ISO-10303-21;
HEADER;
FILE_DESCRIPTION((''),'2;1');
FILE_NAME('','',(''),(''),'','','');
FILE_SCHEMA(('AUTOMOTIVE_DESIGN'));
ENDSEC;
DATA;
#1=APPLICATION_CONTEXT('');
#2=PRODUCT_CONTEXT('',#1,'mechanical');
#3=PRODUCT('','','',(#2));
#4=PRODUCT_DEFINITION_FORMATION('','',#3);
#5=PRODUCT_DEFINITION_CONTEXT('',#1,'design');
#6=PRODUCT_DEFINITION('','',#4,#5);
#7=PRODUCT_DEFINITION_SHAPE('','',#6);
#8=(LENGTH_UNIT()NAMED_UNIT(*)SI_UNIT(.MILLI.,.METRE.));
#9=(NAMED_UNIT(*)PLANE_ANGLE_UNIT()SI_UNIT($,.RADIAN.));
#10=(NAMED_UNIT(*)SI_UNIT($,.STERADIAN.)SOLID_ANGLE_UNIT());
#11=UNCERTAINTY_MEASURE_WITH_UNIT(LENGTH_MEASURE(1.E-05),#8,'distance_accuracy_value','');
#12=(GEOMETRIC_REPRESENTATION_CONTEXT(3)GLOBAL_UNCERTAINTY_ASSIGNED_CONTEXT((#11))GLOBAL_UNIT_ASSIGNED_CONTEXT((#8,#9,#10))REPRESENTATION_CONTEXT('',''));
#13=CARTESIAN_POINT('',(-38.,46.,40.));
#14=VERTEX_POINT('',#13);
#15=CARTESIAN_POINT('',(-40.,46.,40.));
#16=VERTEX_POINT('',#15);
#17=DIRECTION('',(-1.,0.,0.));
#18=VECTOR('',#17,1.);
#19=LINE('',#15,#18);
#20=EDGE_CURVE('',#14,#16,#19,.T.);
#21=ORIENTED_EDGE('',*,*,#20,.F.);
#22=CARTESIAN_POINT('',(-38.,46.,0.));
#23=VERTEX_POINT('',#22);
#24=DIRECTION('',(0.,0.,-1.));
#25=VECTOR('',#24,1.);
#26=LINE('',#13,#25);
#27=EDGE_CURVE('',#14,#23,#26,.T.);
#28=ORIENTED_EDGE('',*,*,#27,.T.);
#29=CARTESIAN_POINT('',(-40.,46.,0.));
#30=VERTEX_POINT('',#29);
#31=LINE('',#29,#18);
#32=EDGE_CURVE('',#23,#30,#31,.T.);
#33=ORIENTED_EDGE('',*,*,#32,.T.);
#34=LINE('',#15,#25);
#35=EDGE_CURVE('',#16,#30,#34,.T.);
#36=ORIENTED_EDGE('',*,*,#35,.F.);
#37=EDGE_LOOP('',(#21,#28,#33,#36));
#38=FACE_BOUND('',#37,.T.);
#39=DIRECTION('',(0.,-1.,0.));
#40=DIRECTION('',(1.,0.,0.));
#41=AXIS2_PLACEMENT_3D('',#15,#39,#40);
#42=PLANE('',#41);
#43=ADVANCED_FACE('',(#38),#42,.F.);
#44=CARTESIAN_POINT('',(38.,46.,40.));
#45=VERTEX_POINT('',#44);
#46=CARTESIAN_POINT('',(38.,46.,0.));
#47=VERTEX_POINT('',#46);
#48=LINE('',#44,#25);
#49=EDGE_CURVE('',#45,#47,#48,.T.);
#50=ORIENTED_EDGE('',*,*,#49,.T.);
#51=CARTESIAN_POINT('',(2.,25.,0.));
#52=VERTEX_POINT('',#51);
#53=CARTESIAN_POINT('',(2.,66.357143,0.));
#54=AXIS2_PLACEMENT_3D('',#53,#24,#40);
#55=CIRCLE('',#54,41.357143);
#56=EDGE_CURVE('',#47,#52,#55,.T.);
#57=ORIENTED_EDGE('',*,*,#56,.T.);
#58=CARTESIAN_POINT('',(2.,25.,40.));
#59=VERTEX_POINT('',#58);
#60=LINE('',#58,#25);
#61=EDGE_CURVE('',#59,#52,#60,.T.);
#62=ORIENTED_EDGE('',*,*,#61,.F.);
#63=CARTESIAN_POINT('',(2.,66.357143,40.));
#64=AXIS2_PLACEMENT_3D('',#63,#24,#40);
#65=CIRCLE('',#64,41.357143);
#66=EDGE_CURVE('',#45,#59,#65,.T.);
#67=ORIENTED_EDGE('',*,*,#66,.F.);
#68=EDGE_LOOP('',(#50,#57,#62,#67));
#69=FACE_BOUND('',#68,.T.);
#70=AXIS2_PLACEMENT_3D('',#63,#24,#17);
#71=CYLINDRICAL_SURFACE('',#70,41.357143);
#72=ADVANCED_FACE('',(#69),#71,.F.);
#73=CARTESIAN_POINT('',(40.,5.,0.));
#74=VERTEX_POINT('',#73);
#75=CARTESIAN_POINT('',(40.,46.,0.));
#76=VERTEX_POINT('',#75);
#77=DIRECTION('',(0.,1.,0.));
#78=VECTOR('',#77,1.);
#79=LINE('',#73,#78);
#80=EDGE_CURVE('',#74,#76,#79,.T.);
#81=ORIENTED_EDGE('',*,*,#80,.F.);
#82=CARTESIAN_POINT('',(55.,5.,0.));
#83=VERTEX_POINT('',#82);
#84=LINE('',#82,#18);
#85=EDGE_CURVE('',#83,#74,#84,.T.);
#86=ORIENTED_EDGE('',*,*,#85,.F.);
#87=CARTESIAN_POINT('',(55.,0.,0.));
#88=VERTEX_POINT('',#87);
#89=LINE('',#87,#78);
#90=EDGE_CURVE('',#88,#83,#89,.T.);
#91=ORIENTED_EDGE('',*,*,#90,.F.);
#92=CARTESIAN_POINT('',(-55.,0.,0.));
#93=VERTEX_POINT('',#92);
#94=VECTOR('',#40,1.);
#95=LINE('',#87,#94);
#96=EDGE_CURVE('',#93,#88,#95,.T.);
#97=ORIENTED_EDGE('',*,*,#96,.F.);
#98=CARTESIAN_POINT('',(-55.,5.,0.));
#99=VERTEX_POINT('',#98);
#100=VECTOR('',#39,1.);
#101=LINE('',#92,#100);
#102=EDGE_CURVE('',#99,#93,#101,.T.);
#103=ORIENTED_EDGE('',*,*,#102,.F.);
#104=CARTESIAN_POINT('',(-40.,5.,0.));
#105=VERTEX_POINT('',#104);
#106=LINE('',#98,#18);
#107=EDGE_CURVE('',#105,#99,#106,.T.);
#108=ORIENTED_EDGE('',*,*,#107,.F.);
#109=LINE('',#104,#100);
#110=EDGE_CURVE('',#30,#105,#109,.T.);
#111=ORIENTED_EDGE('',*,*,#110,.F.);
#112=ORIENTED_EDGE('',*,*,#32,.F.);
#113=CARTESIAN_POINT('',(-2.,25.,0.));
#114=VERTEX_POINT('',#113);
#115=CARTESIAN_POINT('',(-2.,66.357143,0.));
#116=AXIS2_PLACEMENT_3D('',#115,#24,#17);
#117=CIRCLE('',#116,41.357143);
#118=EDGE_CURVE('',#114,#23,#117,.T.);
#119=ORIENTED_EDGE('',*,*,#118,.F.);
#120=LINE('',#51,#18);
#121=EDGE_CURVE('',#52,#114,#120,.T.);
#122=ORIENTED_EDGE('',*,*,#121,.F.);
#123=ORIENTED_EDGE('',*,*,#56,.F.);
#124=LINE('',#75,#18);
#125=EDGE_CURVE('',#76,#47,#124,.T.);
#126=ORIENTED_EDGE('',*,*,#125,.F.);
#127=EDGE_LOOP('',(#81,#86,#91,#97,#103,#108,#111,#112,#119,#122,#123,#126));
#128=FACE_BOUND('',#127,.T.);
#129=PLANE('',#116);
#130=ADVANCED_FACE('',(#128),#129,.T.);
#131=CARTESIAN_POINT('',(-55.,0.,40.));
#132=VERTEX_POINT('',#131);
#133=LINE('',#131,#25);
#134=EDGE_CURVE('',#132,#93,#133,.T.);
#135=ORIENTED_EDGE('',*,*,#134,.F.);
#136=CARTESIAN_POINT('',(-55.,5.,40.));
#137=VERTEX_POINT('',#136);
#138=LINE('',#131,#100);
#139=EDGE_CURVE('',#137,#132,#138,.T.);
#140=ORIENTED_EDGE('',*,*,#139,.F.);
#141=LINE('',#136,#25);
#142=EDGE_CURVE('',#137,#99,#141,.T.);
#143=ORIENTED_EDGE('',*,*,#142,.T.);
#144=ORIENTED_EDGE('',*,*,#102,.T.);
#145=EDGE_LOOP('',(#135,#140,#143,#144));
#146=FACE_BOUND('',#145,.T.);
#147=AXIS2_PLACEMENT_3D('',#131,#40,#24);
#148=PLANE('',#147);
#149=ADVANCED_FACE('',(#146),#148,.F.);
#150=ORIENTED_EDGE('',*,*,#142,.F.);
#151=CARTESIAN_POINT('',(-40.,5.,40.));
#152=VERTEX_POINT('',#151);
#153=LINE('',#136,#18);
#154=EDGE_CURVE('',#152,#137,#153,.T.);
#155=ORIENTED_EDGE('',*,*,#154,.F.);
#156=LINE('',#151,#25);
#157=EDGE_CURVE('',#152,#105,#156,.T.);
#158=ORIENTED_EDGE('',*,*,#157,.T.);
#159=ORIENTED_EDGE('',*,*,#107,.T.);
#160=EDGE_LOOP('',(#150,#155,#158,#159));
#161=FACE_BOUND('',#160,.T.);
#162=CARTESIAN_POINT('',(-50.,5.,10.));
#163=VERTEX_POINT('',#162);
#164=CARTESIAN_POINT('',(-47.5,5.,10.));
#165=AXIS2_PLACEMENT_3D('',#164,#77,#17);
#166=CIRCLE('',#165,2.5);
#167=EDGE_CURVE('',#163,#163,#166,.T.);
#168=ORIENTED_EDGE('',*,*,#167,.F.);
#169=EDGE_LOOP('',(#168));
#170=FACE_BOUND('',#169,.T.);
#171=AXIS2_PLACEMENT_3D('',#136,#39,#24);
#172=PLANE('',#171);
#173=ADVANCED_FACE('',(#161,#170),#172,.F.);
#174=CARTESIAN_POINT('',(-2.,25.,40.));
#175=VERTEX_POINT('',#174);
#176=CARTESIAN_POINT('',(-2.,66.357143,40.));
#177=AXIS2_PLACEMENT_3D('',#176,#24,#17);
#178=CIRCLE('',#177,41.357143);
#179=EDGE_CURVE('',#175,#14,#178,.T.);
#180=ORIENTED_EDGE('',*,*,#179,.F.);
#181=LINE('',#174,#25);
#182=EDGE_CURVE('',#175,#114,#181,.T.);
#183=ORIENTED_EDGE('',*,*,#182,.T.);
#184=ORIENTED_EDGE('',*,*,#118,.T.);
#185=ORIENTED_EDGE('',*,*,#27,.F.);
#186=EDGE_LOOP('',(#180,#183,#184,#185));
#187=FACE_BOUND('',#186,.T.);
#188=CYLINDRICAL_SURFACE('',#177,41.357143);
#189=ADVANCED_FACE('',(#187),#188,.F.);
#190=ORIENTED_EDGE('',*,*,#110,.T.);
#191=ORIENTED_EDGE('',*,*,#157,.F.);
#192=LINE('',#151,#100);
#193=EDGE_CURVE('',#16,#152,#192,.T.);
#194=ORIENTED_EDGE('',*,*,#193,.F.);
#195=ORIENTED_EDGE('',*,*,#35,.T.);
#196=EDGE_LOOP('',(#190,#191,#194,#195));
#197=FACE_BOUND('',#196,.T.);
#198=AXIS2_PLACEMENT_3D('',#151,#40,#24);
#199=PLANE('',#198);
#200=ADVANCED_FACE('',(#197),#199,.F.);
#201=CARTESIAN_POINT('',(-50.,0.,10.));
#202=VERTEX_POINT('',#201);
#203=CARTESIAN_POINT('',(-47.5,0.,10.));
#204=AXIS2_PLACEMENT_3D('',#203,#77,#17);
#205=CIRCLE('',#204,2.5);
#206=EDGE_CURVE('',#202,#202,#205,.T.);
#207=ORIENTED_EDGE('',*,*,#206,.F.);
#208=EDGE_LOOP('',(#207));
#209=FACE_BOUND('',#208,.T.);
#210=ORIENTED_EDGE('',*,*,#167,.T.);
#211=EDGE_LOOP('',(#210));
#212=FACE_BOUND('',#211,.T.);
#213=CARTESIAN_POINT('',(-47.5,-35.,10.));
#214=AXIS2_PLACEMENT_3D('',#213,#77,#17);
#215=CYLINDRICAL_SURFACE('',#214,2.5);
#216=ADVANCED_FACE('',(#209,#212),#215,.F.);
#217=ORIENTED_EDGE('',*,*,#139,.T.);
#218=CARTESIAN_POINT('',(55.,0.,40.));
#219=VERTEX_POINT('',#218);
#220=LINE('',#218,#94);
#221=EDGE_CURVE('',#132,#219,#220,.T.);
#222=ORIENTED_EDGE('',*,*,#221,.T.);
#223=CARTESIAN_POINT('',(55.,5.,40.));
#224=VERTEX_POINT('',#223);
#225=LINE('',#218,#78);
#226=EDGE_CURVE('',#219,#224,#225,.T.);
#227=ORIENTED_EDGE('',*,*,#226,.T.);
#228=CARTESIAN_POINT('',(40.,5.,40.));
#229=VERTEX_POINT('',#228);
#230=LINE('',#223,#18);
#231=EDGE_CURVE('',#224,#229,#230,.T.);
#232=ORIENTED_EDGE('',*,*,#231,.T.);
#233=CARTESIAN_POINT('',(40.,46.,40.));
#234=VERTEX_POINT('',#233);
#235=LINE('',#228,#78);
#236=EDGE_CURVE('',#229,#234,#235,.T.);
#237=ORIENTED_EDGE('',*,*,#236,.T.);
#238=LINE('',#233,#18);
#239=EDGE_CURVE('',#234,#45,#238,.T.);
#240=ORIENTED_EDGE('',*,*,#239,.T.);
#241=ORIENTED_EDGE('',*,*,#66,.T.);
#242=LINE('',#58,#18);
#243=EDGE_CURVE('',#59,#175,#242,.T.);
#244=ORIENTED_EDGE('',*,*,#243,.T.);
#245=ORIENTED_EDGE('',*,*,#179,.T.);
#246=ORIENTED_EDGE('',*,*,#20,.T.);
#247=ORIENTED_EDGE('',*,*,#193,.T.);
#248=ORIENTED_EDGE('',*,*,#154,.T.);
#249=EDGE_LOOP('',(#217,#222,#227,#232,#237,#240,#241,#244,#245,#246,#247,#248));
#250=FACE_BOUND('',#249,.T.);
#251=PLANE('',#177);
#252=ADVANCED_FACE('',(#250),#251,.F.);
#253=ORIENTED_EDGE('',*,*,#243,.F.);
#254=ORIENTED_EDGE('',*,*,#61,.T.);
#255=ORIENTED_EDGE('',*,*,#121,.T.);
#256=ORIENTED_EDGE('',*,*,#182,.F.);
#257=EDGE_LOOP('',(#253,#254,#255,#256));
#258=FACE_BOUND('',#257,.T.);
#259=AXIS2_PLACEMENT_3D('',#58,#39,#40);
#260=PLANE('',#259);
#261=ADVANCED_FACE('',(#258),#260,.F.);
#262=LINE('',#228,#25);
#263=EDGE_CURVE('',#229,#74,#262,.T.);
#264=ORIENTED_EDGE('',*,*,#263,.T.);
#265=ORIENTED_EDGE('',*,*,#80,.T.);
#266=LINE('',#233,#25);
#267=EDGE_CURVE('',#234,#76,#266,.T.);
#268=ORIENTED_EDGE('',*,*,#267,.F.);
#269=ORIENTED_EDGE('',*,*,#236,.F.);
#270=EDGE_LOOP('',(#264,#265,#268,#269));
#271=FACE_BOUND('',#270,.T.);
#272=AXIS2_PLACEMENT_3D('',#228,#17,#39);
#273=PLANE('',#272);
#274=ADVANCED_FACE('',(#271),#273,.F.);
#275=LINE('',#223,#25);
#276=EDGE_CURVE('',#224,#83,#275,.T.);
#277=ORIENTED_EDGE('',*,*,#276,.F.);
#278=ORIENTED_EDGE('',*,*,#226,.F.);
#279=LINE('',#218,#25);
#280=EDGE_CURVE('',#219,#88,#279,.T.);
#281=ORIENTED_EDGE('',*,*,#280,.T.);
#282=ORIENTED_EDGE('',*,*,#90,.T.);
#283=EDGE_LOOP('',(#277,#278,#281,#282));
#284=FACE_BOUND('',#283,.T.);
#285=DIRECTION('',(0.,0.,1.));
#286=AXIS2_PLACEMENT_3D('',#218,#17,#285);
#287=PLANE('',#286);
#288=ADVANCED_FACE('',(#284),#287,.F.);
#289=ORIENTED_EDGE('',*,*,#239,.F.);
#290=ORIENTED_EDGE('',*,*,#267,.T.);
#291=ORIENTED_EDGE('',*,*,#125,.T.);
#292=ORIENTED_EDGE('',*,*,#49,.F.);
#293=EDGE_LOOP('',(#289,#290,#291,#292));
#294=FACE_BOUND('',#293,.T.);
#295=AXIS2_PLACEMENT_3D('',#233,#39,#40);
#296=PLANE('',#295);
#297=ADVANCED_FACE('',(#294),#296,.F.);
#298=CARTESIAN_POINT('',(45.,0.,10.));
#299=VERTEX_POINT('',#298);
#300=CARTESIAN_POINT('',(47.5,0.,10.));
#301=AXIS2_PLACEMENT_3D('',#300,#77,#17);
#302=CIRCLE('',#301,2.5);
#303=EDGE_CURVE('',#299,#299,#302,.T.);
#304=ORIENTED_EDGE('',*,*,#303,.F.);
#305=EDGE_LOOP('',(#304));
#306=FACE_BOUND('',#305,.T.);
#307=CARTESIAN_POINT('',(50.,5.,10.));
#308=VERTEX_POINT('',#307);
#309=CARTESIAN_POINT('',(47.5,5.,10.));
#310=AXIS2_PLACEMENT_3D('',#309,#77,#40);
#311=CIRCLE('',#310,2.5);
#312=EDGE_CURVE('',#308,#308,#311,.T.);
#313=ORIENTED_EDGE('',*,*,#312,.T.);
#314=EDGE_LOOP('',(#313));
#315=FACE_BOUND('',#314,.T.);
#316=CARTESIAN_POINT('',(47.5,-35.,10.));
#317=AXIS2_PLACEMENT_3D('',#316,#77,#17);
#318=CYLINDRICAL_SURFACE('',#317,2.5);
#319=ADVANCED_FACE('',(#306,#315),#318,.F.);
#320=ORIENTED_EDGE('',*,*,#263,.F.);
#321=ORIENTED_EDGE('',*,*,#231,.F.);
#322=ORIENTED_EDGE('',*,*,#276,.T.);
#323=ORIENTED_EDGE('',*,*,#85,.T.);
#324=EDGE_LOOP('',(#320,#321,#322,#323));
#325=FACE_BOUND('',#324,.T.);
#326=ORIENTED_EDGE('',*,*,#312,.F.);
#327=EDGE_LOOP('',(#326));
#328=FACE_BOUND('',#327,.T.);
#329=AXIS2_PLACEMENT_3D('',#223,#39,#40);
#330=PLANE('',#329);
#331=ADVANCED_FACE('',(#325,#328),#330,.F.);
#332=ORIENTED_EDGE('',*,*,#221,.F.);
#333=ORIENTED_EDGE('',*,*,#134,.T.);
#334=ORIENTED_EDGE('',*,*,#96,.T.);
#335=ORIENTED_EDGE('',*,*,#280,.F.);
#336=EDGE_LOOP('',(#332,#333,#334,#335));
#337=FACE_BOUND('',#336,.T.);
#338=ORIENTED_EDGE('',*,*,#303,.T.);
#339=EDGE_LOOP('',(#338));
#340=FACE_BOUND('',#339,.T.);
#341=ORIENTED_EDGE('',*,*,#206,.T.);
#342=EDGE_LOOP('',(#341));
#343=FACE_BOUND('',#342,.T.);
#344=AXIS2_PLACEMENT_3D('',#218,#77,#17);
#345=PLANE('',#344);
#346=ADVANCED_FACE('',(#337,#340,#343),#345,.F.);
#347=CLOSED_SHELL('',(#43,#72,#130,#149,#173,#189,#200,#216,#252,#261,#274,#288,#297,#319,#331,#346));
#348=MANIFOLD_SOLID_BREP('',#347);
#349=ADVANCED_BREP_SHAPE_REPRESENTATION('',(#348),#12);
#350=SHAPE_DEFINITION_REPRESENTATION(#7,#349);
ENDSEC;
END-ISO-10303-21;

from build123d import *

# Parameters (mm, degrees)
BOSS_EXTRUDE1_DEPTH = 40
SKETCH3_R           = 2.5
CUT_EXTRUDE1_DEPTH  = 40


with BuildPart() as part:
    # Sketch1 → Boss-Extrude1 (new body)
    with BuildSketch(Plane.XY):
        with BuildLine():
            Line((55, 0), (-55, 0))
            Line((-55, 0), (-55, 5))
            Line((-55, 5), (-40, 5))
            Line((-40, 5), (-40, 46))
            Line((-40, 46), (-38, 46))
            ThreePointArc((-38, 46), (-22.838665984, 30.633715456), (-2, 25))
            Line((-2, 25), (2, 25))
            ThreePointArc((2, 25), (22.838665984, 30.633715456), (38, 46))
            Line((38, 46), (40, 46))
            Line((40, 46), (40, 5))
            Line((40, 5), (55, 5))
            Line((55, 5), (55, 0))
        make_face()
    extrude(amount=BOSS_EXTRUDE1_DEPTH)

    # Sketch3 → Cut-Extrude1 (cut)
    with BuildSketch(Plane(origin=(0, 5, 0), x_dir=(1, 0, 0), z_dir=(0, 1, 0))):
        with Locations((-47.5, -10)):
            Circle(SKETCH3_R)
        with Locations((47.5, -10)):
            Circle(SKETCH3_R)
    extrude(amount=-CUT_EXTRUDE1_DEPTH, mode=Mode.SUBTRACT)


solid = part.part
